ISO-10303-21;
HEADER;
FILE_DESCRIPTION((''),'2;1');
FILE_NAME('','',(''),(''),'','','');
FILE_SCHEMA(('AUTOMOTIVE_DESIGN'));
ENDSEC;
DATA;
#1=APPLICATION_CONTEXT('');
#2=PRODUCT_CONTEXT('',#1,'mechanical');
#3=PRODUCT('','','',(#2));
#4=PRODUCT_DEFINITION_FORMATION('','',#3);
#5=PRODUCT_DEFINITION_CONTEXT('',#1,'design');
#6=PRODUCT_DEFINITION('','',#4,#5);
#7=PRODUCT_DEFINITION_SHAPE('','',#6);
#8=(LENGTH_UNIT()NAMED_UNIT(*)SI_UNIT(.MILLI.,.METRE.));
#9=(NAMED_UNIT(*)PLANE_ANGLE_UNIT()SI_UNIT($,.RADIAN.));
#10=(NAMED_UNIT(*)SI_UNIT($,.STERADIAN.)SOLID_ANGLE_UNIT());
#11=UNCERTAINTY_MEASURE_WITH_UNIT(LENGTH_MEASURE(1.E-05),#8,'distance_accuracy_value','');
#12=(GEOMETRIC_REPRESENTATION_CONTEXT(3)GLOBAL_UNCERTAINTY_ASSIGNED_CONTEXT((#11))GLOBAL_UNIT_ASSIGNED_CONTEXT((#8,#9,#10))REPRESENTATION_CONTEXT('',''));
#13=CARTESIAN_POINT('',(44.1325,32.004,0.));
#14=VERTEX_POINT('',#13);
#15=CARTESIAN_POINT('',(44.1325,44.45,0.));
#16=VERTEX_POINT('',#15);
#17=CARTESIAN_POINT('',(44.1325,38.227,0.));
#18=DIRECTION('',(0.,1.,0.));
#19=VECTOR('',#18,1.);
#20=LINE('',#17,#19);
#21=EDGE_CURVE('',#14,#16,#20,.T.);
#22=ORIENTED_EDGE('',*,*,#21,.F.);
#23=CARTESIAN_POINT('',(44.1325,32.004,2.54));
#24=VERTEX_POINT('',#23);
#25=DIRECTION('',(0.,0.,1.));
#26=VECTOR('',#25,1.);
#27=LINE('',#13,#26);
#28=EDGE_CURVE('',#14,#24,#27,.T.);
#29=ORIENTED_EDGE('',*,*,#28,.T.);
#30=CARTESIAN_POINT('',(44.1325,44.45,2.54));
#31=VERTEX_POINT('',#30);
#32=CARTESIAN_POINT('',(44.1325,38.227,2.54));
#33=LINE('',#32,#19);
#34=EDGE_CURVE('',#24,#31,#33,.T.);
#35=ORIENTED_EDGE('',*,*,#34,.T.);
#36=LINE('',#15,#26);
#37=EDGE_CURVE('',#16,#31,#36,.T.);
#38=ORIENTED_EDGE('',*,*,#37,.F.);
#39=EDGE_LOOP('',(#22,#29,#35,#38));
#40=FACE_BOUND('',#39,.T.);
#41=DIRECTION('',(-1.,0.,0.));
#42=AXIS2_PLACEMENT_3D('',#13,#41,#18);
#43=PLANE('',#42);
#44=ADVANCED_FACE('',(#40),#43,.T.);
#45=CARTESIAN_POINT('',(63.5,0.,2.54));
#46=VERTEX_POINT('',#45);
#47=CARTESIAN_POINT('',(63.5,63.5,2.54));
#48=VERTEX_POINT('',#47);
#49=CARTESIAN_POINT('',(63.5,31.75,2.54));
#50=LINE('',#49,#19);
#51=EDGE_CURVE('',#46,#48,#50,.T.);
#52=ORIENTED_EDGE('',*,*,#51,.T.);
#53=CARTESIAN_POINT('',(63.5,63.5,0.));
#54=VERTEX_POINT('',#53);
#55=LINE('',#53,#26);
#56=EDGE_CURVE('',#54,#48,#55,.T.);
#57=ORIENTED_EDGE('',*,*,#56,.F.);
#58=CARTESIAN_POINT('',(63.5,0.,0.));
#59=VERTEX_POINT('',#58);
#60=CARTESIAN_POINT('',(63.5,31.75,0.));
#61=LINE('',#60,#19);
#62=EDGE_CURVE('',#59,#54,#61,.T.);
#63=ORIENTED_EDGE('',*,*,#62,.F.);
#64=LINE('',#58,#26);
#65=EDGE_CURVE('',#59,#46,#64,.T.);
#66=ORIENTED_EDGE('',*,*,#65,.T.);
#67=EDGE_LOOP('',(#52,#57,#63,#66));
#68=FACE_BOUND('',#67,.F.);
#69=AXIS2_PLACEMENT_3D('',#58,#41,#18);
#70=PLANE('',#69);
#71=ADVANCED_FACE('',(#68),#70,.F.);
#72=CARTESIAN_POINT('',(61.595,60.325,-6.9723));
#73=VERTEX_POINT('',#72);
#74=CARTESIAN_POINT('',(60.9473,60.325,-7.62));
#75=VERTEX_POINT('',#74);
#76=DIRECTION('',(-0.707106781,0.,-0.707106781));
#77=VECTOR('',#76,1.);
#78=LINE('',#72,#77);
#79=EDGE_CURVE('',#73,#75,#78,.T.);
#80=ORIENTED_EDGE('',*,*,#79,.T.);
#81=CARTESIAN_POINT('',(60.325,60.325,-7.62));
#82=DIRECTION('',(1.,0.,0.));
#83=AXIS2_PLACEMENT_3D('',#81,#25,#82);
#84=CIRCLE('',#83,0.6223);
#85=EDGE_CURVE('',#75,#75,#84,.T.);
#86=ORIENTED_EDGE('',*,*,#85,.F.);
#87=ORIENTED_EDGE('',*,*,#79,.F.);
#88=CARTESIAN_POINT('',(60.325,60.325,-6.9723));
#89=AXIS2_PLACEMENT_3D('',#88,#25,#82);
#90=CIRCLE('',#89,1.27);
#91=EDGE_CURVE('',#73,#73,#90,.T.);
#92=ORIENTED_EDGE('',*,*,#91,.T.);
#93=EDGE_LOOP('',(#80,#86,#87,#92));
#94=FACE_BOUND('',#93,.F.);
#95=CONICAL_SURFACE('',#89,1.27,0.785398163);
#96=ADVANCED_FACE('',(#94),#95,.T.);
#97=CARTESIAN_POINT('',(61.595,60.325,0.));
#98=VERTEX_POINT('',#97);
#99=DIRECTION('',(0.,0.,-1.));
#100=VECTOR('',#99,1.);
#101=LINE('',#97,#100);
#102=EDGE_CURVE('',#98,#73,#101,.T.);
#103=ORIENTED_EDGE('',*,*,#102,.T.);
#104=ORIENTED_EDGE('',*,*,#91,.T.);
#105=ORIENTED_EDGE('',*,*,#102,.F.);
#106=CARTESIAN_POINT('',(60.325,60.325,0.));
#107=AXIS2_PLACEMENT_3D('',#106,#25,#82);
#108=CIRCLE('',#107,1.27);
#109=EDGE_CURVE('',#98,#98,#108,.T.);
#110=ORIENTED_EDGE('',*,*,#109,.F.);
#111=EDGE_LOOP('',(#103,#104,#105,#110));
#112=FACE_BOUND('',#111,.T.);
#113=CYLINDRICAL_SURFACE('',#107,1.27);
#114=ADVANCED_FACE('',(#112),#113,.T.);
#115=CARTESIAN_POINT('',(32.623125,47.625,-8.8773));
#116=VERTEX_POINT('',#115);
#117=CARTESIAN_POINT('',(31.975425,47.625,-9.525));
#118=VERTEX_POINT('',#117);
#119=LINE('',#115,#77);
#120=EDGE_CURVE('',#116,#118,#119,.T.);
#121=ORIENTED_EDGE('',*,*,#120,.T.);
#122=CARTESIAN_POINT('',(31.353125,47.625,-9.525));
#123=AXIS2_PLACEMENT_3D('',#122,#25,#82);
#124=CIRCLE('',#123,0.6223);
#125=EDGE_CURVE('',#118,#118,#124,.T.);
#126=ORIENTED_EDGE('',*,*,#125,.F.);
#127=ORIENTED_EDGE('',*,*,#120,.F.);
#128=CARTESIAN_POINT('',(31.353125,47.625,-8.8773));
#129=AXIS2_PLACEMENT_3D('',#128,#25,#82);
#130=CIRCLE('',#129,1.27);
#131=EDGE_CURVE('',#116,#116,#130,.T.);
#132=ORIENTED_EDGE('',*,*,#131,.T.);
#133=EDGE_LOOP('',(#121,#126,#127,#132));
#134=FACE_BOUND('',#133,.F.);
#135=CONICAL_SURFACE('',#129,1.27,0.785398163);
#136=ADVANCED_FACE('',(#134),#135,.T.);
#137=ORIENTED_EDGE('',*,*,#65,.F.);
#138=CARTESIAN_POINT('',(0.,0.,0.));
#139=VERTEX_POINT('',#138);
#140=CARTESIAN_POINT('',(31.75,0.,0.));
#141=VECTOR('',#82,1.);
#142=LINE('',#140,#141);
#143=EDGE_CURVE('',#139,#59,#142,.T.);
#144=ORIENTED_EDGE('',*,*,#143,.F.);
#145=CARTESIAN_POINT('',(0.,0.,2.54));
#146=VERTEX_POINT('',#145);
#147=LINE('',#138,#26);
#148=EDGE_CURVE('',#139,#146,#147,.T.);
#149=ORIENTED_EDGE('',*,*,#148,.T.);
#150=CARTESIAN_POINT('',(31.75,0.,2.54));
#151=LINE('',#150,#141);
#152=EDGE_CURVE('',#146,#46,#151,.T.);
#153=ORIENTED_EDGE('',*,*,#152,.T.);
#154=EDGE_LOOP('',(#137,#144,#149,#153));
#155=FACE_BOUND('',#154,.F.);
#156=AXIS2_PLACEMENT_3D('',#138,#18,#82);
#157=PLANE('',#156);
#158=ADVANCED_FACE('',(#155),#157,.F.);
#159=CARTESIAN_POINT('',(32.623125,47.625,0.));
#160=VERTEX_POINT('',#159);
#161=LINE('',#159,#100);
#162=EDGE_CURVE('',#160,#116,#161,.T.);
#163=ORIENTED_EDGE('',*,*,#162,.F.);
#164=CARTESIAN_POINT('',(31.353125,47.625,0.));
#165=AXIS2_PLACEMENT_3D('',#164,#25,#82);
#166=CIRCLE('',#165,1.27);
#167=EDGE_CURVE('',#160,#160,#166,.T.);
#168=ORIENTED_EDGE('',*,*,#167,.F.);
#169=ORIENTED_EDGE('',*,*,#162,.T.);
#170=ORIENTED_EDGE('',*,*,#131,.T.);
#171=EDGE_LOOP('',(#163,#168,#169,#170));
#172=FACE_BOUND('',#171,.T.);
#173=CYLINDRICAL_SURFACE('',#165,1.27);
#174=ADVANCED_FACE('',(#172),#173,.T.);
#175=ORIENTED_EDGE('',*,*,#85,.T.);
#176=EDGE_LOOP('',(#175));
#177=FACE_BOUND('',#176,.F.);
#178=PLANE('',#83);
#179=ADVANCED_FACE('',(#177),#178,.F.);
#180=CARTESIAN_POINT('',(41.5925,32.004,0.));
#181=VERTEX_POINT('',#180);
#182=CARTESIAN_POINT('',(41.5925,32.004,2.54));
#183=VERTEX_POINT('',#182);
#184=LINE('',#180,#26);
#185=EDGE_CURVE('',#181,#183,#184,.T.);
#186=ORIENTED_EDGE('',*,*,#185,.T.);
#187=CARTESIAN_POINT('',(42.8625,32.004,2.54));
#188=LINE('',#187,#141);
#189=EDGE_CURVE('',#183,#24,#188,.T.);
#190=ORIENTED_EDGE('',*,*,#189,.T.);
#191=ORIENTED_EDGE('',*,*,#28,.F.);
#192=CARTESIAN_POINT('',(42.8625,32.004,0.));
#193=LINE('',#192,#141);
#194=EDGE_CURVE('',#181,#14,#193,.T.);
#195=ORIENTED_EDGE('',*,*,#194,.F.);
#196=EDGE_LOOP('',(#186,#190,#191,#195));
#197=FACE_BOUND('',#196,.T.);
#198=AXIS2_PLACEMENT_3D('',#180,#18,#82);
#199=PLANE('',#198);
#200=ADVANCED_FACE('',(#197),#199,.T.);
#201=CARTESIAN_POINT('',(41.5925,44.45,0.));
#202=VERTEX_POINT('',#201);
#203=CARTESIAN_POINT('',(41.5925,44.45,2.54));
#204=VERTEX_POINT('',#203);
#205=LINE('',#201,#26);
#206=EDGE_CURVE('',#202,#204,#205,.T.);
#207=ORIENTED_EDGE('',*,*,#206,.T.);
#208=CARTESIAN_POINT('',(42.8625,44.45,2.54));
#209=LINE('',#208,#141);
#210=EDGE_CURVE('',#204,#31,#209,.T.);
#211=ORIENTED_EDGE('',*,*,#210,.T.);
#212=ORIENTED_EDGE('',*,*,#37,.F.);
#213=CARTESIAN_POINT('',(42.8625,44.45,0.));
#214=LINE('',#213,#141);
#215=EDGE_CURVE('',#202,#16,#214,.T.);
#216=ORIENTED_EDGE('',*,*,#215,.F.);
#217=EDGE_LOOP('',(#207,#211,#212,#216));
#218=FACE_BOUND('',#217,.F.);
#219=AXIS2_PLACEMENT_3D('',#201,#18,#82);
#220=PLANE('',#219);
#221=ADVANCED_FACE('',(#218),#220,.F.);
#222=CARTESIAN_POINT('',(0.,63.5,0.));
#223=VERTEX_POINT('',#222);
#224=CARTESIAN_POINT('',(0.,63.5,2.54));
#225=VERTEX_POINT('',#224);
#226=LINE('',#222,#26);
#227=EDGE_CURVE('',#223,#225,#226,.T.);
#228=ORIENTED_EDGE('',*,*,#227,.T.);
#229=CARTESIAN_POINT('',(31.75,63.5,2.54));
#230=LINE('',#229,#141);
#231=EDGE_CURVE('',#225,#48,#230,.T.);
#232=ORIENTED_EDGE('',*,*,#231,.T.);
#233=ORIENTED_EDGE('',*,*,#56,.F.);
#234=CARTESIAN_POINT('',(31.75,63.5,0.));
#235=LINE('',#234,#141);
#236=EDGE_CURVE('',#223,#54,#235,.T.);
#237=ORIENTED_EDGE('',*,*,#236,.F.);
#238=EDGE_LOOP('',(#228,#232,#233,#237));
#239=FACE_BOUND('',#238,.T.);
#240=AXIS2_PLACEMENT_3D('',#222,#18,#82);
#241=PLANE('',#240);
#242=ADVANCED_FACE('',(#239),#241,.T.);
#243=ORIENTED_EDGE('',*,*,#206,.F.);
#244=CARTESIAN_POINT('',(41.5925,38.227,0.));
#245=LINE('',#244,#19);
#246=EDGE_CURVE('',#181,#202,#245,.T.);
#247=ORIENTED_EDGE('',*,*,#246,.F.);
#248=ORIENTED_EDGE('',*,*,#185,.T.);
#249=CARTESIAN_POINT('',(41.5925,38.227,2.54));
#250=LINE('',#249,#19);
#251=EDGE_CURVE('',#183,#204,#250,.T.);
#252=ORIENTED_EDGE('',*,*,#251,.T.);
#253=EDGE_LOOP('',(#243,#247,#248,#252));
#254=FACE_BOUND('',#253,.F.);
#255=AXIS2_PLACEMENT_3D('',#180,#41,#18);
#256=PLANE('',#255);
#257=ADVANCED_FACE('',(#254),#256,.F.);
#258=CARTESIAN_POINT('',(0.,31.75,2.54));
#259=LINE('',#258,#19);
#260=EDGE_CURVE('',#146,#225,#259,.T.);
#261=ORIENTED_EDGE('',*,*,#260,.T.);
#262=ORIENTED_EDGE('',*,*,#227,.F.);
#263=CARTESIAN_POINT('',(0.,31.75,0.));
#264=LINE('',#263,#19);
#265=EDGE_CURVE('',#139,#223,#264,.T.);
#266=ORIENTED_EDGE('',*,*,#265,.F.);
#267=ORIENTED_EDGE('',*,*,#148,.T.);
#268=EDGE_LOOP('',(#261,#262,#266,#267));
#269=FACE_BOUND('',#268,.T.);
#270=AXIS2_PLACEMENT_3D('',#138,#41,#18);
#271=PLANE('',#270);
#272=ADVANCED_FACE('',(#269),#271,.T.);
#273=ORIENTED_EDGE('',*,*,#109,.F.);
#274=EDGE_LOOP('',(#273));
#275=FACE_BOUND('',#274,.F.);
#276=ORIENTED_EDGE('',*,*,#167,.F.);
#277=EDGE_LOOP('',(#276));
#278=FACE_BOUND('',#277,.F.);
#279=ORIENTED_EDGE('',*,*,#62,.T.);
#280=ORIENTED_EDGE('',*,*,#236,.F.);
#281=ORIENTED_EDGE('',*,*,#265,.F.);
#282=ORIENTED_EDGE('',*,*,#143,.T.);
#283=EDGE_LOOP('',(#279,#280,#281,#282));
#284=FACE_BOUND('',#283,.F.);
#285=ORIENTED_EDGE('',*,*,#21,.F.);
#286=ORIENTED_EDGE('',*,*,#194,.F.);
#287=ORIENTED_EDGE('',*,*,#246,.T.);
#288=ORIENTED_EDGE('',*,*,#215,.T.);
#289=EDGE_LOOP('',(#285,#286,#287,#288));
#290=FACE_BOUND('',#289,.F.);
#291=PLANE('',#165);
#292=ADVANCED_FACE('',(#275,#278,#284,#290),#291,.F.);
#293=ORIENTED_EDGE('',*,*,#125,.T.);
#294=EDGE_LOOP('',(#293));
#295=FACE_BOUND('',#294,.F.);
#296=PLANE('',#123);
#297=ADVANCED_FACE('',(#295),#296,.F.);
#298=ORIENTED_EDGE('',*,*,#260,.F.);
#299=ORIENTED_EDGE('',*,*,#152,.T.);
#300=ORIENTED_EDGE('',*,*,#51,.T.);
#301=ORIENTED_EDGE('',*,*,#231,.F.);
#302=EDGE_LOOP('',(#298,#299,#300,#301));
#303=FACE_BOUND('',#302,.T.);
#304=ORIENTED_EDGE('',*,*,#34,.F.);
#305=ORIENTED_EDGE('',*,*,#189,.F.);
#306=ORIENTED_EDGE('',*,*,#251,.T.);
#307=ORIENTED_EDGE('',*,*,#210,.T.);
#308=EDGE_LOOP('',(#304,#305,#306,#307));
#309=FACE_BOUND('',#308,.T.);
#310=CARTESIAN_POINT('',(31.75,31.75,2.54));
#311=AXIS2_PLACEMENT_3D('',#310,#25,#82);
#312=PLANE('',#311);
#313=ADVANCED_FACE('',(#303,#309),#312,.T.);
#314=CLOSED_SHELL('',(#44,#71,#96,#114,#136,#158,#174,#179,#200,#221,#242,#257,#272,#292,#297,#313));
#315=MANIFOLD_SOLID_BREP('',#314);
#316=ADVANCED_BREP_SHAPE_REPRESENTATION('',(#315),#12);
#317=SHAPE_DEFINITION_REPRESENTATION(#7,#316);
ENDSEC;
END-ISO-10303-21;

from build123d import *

# Parameters (mm, degrees)
F0_W          = 63.5
F0_H          = 63.5
F0_R          = 1.27
F0_W_2        = 2.54
F0_H_2        = 12.446
F1_DEPTH      = 2.54
F2_R          = 1.27
F3_DEPTH      = 2.54
F3_DEPTH_BACK = 7.62
F4_DEPTH      = 9.525
F5_SIZE       = 0.6477


with BuildPart() as f1:
    # F0 (on Top) → F1 (new body)
    with BuildSketch(Plane.XY):
        with Locations((31.75, 31.75)):
            Rectangle(F0_W, F0_H)
        with Locations((31.353125, 47.625)):
            Circle(F0_R, mode=Mode.SUBTRACT)
        with Locations((42.8625, 38.227)):
            Rectangle(F0_W_2, F0_H_2, mode=Mode.SUBTRACT)
        with Locations((60.325, 60.325)):
            Circle(F0_R, mode=Mode.SUBTRACT)
    extrude(amount=F1_DEPTH)

    # F2 (on Top) → F3 (join, two sides)
    with BuildSketch(Plane.XY) as f3_sk:
        with Locations((31.353125, 47.625)):
            Circle(F2_R)
        with Locations((60.325, 60.325)):
            Circle(F2_R)
    extrude(amount=F3_DEPTH)
    extrude(f3_sk.sketch, amount=-F3_DEPTH_BACK)

    # F2 (on Top) → F4 (join)
    with BuildSketch(Plane.XY):
        with Locations((31.353125, 47.625)):
            Circle(F2_R)
    extrude(amount=-F4_DEPTH)

    # F5
    f5_edges = [f1.edges().sort_by_distance(p)[0] for p in [
        (59.055, 60.325, -7.62),
        (30.083125, 47.625, -9.525),
    ]]
    chamfer(f5_edges, length=F5_SIZE)


solid = f1.part
